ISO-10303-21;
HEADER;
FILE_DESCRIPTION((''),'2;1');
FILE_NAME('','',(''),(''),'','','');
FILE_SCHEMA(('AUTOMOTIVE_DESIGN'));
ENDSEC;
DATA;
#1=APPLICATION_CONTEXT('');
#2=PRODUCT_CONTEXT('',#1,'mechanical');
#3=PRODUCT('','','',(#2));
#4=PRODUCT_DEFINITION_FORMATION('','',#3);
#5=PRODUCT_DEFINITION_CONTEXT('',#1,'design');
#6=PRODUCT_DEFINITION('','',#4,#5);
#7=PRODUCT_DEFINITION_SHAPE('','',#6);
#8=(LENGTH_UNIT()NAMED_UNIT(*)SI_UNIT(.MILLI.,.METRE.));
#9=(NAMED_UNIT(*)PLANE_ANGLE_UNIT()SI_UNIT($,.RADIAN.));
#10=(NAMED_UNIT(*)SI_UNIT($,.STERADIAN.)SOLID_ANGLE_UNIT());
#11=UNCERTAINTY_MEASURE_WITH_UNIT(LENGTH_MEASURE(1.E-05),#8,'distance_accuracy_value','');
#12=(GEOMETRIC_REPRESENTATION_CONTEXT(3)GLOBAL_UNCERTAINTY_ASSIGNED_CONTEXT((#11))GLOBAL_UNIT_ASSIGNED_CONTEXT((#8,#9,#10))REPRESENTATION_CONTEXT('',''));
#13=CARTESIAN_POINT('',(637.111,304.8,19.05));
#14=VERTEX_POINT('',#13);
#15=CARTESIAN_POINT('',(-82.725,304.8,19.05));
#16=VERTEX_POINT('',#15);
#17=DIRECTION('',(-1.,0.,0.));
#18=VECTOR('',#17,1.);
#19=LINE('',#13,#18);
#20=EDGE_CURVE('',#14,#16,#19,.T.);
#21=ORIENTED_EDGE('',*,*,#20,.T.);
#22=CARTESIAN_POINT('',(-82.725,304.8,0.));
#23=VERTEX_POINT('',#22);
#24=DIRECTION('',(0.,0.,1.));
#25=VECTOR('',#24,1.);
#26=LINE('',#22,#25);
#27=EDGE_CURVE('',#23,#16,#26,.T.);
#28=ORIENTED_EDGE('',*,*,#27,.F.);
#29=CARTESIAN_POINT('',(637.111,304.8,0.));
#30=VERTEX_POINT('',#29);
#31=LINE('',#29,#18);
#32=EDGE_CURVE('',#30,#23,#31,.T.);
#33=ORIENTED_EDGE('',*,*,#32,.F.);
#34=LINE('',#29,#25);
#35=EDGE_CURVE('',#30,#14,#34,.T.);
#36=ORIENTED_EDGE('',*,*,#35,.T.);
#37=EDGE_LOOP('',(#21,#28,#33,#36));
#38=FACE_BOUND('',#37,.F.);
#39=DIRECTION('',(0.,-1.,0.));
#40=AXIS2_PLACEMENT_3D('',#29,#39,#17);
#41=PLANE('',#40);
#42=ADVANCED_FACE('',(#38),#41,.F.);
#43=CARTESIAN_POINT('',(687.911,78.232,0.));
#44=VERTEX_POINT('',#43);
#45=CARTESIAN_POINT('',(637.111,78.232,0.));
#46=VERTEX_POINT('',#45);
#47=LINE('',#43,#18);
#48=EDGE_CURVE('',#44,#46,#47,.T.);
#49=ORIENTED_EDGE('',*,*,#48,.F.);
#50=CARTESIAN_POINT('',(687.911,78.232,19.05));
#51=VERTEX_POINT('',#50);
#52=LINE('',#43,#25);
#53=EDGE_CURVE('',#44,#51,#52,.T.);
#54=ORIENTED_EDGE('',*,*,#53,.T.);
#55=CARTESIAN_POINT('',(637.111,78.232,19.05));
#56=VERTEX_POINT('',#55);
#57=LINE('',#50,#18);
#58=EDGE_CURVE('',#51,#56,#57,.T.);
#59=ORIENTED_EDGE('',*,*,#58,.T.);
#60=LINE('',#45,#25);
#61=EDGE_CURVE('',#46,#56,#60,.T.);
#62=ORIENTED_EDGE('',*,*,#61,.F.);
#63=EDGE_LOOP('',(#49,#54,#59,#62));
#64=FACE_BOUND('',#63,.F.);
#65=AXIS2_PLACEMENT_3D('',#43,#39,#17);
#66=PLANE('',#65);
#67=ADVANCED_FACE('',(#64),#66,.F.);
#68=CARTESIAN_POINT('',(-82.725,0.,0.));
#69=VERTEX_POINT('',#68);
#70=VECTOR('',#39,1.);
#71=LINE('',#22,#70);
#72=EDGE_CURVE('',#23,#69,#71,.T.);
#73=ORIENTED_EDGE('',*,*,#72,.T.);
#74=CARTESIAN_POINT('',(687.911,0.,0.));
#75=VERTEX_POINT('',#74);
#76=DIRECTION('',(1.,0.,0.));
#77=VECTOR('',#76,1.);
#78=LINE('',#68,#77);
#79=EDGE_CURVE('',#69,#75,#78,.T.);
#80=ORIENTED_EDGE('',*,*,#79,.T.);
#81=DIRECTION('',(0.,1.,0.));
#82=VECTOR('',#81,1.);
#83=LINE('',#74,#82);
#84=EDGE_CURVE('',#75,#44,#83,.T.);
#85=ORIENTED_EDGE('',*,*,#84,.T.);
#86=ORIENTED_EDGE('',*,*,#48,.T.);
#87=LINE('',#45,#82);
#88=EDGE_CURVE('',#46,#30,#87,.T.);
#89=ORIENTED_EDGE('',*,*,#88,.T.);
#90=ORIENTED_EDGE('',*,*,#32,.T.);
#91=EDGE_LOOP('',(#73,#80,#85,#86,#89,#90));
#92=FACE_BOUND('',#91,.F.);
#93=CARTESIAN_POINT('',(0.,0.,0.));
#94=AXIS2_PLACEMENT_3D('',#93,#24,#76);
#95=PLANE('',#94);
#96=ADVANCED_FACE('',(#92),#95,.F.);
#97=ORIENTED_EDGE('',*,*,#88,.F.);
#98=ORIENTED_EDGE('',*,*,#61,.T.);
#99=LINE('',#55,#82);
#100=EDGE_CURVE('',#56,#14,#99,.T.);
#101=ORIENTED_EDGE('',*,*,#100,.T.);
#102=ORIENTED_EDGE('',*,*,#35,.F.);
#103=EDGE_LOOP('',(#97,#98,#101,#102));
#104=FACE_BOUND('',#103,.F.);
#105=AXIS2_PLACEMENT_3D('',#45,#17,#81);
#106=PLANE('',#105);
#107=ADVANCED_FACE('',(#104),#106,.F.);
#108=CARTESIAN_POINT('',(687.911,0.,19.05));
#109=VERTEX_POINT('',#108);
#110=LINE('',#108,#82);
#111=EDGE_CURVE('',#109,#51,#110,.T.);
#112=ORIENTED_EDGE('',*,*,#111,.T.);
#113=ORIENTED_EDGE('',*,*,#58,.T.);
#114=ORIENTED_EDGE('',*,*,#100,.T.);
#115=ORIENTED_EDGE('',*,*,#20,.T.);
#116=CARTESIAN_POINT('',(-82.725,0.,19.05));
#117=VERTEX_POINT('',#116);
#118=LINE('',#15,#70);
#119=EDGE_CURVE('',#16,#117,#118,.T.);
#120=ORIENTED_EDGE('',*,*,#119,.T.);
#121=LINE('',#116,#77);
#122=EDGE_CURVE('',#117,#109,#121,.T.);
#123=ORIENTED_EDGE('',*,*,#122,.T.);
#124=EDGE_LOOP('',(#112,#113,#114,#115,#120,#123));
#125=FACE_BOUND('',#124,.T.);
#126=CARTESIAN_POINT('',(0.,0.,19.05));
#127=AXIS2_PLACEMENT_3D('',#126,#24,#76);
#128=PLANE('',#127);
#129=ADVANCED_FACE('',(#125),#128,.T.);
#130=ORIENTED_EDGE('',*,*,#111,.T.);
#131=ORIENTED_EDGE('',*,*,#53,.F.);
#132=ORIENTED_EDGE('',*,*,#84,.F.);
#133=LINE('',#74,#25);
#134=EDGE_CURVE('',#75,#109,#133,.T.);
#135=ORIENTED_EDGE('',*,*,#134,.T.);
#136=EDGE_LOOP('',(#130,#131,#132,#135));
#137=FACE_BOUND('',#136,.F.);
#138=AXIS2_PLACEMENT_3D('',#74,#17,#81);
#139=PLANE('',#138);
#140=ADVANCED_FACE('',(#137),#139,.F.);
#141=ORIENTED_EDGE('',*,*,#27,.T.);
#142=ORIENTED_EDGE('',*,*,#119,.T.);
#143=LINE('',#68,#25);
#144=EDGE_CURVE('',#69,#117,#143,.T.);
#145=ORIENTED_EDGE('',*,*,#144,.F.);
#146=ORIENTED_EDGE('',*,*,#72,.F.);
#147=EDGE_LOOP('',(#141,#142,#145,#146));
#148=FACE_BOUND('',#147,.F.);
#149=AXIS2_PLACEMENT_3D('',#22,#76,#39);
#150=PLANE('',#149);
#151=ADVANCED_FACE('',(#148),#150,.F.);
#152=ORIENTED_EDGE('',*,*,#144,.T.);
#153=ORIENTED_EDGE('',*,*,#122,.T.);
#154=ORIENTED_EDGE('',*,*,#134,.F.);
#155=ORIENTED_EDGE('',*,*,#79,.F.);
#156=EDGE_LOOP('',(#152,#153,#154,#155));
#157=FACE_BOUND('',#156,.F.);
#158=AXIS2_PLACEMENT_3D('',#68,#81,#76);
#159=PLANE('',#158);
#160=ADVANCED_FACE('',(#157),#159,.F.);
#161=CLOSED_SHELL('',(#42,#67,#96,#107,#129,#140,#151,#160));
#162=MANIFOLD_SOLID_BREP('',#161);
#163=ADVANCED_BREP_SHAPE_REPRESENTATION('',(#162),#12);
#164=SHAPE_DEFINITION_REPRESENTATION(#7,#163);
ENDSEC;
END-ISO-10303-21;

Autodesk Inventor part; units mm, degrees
ref_plane "YZ Plane" through (0, 0, 0) normal (1, 0, 0) x (0, 1, 0)
ref_plane "XZ Plane" through (0, 0, 0) normal (0, 1, 0) x (-1, 0, 0)
ref_plane "XY Plane" through (0, 0, 0) normal (0, 0, 1) x (1, 0, 0)
sketch "Sketch1" plane through (0, 0, 0) normal (0, 0, 1) x (1, 0, 0)
  line L0 (-82.725, 0) -> (687.911, 0)
  line L1 (687.911, 0) -> (687.911, 78.232)
  line L2 (687.911, 78.232) -> (637.111, 78.232)
  line L3 (637.111, 78.232) -> (637.111, 304.8)
  line L4 (637.111, 304.8) -> (-82.725, 304.8)
  line L5 (-82.725, 304.8) -> (-82.725, 0)
  point P0 (0, 0)
  dimension "d0" = 770.636
  dimension "d1" = 78.232
  dimension "d2" = 50.8
  dimension "d3" = 226.568
extrude "Extrusion1" add sketch "Sketch1" along normal blind 19.05
properties part number "Shooter_Mount"
